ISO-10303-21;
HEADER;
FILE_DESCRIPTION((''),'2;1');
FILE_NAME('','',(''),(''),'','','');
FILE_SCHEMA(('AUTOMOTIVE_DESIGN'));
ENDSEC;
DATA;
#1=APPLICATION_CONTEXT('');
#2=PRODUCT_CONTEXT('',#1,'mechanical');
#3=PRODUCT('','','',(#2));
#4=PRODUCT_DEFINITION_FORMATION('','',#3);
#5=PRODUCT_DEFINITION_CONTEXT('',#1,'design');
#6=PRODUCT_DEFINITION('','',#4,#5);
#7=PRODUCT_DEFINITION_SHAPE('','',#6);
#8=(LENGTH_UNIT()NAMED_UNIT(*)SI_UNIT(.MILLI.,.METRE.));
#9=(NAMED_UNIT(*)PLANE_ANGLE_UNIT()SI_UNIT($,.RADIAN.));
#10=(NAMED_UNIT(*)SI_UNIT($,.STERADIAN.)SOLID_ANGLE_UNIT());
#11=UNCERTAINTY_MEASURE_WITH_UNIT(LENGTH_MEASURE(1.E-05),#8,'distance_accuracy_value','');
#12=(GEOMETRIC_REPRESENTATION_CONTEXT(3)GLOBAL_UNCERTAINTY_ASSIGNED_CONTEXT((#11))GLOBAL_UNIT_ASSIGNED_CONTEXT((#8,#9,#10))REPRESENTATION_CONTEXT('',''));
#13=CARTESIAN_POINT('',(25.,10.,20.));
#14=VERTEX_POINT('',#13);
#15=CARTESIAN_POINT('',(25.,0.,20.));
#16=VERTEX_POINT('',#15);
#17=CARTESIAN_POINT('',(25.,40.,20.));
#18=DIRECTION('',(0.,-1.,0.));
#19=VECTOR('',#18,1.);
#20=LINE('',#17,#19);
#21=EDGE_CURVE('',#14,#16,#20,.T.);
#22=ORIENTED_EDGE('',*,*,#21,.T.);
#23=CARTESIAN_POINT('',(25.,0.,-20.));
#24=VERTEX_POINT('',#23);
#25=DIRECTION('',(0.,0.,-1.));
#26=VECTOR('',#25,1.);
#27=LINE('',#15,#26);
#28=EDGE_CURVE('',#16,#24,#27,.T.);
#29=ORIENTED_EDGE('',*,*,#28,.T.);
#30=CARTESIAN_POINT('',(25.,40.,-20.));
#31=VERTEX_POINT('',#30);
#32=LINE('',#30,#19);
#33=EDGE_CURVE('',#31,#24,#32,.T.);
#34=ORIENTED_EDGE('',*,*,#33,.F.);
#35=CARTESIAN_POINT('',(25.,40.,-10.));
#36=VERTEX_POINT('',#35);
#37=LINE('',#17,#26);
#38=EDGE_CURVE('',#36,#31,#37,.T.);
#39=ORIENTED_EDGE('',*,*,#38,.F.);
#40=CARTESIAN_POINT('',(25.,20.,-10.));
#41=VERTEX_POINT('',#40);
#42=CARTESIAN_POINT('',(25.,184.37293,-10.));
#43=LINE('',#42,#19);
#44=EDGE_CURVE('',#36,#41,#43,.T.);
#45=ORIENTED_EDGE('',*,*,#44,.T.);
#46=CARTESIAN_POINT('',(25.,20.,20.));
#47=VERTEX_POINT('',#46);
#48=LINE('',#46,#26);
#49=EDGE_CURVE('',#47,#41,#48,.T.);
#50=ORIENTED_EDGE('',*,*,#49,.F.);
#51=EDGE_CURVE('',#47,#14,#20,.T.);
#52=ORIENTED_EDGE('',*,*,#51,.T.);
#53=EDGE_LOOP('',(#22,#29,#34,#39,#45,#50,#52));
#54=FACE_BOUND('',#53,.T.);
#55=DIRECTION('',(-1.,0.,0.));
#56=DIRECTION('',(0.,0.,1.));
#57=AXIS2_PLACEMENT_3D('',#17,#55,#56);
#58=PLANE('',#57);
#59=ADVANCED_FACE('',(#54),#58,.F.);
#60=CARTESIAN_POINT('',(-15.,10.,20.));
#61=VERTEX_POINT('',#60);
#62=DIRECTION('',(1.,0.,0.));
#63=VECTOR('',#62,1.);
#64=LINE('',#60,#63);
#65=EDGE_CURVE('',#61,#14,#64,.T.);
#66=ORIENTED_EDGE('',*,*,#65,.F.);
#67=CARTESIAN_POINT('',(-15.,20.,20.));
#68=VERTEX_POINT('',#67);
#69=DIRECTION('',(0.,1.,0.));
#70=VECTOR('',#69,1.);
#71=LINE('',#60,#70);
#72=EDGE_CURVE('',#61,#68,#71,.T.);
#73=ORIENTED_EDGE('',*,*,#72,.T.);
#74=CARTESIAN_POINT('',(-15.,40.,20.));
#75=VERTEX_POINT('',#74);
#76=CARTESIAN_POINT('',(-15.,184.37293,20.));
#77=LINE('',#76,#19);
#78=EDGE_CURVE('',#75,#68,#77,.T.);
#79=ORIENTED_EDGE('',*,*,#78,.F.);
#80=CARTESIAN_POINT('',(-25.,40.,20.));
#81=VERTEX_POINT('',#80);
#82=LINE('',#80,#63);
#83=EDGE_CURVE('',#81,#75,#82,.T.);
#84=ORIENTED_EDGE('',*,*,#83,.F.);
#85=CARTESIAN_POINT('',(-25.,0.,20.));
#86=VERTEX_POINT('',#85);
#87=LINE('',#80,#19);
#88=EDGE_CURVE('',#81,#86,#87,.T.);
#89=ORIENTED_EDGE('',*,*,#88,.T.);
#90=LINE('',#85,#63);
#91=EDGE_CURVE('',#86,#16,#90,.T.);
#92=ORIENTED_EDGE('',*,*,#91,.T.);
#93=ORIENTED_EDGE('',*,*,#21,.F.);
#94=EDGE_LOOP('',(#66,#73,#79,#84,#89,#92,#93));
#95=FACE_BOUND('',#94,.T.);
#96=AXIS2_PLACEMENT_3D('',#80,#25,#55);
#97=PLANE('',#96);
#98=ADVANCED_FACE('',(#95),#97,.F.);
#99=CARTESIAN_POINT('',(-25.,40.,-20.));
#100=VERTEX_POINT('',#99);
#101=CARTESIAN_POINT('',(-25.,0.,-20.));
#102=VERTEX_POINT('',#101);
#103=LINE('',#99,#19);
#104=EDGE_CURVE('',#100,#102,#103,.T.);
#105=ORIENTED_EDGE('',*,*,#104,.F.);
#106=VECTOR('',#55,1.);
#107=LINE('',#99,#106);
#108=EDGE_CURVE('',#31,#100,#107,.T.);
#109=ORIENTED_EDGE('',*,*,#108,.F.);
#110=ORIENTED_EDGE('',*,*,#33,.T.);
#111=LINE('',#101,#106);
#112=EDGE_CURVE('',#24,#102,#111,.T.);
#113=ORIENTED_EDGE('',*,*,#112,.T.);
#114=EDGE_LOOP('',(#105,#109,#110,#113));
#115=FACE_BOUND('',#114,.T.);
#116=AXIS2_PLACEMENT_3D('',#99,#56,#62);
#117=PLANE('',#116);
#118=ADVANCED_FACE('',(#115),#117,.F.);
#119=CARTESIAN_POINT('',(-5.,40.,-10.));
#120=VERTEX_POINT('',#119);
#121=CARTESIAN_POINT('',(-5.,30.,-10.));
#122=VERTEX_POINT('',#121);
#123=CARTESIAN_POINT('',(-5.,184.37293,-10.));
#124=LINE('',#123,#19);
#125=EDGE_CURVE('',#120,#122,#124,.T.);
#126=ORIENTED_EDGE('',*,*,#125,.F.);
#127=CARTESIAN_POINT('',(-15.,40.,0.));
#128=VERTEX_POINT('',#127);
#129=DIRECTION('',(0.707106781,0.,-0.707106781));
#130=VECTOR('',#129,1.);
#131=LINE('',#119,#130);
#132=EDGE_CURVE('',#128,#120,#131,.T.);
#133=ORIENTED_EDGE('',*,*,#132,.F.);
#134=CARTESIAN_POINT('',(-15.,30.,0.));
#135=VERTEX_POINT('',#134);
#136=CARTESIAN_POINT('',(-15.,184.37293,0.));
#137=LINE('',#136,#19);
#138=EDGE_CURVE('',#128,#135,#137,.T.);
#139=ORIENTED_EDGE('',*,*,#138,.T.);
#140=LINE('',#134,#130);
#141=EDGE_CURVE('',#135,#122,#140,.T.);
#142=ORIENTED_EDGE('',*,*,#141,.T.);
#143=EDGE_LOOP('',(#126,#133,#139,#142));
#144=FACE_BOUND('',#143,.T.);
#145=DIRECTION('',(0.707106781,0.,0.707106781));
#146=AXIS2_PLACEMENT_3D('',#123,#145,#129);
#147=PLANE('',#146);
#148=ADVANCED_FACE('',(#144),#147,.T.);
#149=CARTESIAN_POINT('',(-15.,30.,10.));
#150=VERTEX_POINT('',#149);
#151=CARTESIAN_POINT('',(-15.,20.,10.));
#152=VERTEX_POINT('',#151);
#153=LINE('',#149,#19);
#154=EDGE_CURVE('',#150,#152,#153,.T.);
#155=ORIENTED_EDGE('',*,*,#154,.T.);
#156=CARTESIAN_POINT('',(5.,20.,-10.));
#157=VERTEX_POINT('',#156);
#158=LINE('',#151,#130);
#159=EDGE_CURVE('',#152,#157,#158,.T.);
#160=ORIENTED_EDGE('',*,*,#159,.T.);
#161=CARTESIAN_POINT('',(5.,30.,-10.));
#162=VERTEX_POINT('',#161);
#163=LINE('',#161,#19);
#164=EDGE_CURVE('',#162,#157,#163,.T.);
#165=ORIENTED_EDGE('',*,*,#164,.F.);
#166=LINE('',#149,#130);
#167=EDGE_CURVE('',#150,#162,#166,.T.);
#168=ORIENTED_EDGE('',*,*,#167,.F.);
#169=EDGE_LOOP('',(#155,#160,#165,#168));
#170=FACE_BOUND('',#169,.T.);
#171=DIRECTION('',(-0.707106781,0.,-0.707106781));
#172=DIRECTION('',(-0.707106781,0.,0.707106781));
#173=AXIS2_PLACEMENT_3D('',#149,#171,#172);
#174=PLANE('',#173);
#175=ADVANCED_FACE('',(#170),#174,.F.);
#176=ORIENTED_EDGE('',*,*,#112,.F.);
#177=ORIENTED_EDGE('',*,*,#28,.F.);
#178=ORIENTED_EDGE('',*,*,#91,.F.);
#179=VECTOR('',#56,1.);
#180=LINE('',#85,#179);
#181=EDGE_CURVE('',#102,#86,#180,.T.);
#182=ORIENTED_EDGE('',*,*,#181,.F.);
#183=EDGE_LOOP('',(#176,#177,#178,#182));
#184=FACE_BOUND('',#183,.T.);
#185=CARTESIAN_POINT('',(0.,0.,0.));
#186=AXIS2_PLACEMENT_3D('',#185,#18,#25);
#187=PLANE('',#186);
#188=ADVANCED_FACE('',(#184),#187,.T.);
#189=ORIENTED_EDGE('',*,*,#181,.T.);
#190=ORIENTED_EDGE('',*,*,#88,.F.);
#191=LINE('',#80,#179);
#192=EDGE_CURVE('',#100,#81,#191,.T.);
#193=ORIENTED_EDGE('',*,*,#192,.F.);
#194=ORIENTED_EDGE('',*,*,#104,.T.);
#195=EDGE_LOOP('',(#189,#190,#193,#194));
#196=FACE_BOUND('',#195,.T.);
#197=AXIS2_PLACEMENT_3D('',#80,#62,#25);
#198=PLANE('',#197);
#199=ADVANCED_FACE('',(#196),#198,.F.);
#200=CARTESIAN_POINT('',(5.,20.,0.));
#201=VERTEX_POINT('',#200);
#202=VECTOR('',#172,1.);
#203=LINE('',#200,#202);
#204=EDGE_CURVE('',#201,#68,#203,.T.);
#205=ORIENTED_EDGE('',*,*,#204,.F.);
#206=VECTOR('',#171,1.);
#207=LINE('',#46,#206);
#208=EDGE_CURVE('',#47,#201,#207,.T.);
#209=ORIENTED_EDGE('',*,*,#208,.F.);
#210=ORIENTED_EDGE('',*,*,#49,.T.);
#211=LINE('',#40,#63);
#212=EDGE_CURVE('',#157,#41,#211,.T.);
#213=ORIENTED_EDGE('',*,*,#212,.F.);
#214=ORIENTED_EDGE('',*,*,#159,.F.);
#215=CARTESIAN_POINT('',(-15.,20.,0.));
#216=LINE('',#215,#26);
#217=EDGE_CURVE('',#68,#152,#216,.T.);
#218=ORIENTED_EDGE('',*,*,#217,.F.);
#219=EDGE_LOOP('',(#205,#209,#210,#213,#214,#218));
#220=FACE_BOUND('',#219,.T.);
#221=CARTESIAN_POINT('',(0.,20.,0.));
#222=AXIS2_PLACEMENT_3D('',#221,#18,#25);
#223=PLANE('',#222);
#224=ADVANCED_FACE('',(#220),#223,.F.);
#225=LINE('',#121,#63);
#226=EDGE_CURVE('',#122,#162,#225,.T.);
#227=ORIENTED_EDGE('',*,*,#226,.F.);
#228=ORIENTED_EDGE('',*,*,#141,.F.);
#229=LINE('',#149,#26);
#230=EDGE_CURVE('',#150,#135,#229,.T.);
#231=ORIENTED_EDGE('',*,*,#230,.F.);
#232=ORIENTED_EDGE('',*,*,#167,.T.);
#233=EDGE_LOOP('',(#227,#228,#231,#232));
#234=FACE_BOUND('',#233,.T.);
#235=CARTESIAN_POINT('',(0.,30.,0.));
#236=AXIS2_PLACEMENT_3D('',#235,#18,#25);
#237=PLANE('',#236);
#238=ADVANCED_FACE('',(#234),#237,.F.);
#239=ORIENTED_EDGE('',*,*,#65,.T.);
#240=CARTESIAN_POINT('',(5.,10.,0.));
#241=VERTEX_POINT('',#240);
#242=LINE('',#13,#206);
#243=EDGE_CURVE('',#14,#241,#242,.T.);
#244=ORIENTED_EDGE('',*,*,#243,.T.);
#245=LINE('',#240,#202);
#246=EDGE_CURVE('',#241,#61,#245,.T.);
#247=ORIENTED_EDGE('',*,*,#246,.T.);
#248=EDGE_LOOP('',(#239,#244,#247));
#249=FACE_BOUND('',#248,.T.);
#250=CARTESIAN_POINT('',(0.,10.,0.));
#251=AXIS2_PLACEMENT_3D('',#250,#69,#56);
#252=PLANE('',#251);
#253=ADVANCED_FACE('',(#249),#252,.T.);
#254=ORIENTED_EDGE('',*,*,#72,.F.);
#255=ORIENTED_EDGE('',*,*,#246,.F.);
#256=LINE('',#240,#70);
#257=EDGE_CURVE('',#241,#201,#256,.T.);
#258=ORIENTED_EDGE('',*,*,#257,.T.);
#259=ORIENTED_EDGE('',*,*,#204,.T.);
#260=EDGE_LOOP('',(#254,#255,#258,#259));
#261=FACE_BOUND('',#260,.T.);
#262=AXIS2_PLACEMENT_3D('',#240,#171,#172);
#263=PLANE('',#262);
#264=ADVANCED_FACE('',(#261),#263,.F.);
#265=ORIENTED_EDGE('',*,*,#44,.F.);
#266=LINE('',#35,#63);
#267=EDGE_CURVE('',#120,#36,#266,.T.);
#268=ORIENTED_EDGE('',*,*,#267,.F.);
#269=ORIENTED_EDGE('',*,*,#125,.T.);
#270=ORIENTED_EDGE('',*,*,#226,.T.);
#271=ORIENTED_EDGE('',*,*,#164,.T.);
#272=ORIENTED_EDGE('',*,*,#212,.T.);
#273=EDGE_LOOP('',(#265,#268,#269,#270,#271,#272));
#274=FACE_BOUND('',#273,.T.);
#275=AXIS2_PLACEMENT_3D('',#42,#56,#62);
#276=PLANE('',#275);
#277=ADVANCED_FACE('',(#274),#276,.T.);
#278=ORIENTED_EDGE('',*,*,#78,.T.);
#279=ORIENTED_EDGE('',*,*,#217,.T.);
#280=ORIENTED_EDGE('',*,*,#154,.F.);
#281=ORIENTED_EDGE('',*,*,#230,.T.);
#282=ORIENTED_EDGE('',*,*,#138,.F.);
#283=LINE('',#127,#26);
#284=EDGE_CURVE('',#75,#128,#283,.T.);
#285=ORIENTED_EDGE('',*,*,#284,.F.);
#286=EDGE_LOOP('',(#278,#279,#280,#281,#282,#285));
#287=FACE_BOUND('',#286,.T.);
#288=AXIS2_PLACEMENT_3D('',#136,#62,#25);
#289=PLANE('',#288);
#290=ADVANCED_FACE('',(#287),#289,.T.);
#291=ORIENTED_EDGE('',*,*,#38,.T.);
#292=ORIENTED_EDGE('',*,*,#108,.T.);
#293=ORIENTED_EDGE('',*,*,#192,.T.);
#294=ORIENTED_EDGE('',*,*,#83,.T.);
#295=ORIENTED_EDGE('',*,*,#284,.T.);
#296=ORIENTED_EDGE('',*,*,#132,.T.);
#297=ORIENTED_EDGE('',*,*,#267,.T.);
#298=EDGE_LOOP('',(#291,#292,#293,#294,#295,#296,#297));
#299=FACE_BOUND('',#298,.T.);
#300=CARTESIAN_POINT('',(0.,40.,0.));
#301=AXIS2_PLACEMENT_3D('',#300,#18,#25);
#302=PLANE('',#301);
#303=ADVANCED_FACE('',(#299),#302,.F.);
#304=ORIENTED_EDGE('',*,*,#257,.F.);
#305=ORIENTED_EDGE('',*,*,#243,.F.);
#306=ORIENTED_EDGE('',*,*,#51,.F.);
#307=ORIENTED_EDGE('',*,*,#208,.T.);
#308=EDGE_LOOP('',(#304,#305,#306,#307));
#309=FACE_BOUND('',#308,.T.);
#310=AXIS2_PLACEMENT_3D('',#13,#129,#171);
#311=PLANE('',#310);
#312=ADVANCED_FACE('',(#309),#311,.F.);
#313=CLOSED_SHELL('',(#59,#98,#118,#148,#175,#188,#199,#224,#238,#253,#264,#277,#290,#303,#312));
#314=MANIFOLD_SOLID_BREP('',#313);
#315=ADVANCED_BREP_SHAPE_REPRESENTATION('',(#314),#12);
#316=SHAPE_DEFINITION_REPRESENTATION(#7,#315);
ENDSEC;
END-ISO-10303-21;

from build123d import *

# Parameters (mm, degrees)
SKETCH_1_W               = 50
SKETCH_1_H               = 40
EXTRUDE_1_DEPTH          = 40
CUT_EXTRUDE_1_DEPTH      = 30
CUT_EXTRUDE_2_DEPTH      = 1
CUT_EXTRUDE_2_DEPTH_BACK = 20
EXTRUDE_2_DEPTH          = 10


with BuildPart() as part:
    # 草圖1 → 填料-伸長1 (new body)
    with BuildSketch(Plane(origin=(0, 0, 0), x_dir=(1, 0, 0), z_dir=(0, 1, 0))):
        Rectangle(SKETCH_1_W, SKETCH_1_H)
    extrude(amount=EXTRUDE_1_DEPTH)

    # 草圖2 → 除料-伸長1 (cut)
    with BuildSketch(Plane(origin=(0, 40, 0), x_dir=(1, 0, 0), z_dir=(0, 1, 0))):
        Polygon((25, -20), (5, 0), (-15, -20), align=None)
    extrude(amount=-CUT_EXTRUDE_1_DEPTH, mode=Mode.SUBTRACT)

    # 草圖3 → 除料-伸長2 (cut, two sides)
    with BuildSketch(Plane(origin=(0, 40, 0), x_dir=(1, 0, 0), z_dir=(0, 1, 0))) as cut_extrude_2_sk:
        Polygon((151.619037897, 10), (25, 10), (-5, 10), (-15, 0), (-15, -20), (-15, -146.619037897), (158.443612564, -331.136886065), (325.062650461, -174.517848168), align=None)
    extrude(amount=CUT_EXTRUDE_2_DEPTH, mode=Mode.SUBTRACT)
    extrude(cut_extrude_2_sk.sketch, amount=-CUT_EXTRUDE_2_DEPTH_BACK, mode=Mode.SUBTRACT)

    # 草圖4 → 填料-伸長2 (add)
    with BuildSketch(Plane(origin=(0, 20, 0), x_dir=(1, 0, 0), z_dir=(0, 1, 0))):
        Polygon((-15, -10), (5, 10), (-5, 10), (-15, 0), align=None)
    extrude(amount=EXTRUDE_2_DEPTH)


solid = part.part
